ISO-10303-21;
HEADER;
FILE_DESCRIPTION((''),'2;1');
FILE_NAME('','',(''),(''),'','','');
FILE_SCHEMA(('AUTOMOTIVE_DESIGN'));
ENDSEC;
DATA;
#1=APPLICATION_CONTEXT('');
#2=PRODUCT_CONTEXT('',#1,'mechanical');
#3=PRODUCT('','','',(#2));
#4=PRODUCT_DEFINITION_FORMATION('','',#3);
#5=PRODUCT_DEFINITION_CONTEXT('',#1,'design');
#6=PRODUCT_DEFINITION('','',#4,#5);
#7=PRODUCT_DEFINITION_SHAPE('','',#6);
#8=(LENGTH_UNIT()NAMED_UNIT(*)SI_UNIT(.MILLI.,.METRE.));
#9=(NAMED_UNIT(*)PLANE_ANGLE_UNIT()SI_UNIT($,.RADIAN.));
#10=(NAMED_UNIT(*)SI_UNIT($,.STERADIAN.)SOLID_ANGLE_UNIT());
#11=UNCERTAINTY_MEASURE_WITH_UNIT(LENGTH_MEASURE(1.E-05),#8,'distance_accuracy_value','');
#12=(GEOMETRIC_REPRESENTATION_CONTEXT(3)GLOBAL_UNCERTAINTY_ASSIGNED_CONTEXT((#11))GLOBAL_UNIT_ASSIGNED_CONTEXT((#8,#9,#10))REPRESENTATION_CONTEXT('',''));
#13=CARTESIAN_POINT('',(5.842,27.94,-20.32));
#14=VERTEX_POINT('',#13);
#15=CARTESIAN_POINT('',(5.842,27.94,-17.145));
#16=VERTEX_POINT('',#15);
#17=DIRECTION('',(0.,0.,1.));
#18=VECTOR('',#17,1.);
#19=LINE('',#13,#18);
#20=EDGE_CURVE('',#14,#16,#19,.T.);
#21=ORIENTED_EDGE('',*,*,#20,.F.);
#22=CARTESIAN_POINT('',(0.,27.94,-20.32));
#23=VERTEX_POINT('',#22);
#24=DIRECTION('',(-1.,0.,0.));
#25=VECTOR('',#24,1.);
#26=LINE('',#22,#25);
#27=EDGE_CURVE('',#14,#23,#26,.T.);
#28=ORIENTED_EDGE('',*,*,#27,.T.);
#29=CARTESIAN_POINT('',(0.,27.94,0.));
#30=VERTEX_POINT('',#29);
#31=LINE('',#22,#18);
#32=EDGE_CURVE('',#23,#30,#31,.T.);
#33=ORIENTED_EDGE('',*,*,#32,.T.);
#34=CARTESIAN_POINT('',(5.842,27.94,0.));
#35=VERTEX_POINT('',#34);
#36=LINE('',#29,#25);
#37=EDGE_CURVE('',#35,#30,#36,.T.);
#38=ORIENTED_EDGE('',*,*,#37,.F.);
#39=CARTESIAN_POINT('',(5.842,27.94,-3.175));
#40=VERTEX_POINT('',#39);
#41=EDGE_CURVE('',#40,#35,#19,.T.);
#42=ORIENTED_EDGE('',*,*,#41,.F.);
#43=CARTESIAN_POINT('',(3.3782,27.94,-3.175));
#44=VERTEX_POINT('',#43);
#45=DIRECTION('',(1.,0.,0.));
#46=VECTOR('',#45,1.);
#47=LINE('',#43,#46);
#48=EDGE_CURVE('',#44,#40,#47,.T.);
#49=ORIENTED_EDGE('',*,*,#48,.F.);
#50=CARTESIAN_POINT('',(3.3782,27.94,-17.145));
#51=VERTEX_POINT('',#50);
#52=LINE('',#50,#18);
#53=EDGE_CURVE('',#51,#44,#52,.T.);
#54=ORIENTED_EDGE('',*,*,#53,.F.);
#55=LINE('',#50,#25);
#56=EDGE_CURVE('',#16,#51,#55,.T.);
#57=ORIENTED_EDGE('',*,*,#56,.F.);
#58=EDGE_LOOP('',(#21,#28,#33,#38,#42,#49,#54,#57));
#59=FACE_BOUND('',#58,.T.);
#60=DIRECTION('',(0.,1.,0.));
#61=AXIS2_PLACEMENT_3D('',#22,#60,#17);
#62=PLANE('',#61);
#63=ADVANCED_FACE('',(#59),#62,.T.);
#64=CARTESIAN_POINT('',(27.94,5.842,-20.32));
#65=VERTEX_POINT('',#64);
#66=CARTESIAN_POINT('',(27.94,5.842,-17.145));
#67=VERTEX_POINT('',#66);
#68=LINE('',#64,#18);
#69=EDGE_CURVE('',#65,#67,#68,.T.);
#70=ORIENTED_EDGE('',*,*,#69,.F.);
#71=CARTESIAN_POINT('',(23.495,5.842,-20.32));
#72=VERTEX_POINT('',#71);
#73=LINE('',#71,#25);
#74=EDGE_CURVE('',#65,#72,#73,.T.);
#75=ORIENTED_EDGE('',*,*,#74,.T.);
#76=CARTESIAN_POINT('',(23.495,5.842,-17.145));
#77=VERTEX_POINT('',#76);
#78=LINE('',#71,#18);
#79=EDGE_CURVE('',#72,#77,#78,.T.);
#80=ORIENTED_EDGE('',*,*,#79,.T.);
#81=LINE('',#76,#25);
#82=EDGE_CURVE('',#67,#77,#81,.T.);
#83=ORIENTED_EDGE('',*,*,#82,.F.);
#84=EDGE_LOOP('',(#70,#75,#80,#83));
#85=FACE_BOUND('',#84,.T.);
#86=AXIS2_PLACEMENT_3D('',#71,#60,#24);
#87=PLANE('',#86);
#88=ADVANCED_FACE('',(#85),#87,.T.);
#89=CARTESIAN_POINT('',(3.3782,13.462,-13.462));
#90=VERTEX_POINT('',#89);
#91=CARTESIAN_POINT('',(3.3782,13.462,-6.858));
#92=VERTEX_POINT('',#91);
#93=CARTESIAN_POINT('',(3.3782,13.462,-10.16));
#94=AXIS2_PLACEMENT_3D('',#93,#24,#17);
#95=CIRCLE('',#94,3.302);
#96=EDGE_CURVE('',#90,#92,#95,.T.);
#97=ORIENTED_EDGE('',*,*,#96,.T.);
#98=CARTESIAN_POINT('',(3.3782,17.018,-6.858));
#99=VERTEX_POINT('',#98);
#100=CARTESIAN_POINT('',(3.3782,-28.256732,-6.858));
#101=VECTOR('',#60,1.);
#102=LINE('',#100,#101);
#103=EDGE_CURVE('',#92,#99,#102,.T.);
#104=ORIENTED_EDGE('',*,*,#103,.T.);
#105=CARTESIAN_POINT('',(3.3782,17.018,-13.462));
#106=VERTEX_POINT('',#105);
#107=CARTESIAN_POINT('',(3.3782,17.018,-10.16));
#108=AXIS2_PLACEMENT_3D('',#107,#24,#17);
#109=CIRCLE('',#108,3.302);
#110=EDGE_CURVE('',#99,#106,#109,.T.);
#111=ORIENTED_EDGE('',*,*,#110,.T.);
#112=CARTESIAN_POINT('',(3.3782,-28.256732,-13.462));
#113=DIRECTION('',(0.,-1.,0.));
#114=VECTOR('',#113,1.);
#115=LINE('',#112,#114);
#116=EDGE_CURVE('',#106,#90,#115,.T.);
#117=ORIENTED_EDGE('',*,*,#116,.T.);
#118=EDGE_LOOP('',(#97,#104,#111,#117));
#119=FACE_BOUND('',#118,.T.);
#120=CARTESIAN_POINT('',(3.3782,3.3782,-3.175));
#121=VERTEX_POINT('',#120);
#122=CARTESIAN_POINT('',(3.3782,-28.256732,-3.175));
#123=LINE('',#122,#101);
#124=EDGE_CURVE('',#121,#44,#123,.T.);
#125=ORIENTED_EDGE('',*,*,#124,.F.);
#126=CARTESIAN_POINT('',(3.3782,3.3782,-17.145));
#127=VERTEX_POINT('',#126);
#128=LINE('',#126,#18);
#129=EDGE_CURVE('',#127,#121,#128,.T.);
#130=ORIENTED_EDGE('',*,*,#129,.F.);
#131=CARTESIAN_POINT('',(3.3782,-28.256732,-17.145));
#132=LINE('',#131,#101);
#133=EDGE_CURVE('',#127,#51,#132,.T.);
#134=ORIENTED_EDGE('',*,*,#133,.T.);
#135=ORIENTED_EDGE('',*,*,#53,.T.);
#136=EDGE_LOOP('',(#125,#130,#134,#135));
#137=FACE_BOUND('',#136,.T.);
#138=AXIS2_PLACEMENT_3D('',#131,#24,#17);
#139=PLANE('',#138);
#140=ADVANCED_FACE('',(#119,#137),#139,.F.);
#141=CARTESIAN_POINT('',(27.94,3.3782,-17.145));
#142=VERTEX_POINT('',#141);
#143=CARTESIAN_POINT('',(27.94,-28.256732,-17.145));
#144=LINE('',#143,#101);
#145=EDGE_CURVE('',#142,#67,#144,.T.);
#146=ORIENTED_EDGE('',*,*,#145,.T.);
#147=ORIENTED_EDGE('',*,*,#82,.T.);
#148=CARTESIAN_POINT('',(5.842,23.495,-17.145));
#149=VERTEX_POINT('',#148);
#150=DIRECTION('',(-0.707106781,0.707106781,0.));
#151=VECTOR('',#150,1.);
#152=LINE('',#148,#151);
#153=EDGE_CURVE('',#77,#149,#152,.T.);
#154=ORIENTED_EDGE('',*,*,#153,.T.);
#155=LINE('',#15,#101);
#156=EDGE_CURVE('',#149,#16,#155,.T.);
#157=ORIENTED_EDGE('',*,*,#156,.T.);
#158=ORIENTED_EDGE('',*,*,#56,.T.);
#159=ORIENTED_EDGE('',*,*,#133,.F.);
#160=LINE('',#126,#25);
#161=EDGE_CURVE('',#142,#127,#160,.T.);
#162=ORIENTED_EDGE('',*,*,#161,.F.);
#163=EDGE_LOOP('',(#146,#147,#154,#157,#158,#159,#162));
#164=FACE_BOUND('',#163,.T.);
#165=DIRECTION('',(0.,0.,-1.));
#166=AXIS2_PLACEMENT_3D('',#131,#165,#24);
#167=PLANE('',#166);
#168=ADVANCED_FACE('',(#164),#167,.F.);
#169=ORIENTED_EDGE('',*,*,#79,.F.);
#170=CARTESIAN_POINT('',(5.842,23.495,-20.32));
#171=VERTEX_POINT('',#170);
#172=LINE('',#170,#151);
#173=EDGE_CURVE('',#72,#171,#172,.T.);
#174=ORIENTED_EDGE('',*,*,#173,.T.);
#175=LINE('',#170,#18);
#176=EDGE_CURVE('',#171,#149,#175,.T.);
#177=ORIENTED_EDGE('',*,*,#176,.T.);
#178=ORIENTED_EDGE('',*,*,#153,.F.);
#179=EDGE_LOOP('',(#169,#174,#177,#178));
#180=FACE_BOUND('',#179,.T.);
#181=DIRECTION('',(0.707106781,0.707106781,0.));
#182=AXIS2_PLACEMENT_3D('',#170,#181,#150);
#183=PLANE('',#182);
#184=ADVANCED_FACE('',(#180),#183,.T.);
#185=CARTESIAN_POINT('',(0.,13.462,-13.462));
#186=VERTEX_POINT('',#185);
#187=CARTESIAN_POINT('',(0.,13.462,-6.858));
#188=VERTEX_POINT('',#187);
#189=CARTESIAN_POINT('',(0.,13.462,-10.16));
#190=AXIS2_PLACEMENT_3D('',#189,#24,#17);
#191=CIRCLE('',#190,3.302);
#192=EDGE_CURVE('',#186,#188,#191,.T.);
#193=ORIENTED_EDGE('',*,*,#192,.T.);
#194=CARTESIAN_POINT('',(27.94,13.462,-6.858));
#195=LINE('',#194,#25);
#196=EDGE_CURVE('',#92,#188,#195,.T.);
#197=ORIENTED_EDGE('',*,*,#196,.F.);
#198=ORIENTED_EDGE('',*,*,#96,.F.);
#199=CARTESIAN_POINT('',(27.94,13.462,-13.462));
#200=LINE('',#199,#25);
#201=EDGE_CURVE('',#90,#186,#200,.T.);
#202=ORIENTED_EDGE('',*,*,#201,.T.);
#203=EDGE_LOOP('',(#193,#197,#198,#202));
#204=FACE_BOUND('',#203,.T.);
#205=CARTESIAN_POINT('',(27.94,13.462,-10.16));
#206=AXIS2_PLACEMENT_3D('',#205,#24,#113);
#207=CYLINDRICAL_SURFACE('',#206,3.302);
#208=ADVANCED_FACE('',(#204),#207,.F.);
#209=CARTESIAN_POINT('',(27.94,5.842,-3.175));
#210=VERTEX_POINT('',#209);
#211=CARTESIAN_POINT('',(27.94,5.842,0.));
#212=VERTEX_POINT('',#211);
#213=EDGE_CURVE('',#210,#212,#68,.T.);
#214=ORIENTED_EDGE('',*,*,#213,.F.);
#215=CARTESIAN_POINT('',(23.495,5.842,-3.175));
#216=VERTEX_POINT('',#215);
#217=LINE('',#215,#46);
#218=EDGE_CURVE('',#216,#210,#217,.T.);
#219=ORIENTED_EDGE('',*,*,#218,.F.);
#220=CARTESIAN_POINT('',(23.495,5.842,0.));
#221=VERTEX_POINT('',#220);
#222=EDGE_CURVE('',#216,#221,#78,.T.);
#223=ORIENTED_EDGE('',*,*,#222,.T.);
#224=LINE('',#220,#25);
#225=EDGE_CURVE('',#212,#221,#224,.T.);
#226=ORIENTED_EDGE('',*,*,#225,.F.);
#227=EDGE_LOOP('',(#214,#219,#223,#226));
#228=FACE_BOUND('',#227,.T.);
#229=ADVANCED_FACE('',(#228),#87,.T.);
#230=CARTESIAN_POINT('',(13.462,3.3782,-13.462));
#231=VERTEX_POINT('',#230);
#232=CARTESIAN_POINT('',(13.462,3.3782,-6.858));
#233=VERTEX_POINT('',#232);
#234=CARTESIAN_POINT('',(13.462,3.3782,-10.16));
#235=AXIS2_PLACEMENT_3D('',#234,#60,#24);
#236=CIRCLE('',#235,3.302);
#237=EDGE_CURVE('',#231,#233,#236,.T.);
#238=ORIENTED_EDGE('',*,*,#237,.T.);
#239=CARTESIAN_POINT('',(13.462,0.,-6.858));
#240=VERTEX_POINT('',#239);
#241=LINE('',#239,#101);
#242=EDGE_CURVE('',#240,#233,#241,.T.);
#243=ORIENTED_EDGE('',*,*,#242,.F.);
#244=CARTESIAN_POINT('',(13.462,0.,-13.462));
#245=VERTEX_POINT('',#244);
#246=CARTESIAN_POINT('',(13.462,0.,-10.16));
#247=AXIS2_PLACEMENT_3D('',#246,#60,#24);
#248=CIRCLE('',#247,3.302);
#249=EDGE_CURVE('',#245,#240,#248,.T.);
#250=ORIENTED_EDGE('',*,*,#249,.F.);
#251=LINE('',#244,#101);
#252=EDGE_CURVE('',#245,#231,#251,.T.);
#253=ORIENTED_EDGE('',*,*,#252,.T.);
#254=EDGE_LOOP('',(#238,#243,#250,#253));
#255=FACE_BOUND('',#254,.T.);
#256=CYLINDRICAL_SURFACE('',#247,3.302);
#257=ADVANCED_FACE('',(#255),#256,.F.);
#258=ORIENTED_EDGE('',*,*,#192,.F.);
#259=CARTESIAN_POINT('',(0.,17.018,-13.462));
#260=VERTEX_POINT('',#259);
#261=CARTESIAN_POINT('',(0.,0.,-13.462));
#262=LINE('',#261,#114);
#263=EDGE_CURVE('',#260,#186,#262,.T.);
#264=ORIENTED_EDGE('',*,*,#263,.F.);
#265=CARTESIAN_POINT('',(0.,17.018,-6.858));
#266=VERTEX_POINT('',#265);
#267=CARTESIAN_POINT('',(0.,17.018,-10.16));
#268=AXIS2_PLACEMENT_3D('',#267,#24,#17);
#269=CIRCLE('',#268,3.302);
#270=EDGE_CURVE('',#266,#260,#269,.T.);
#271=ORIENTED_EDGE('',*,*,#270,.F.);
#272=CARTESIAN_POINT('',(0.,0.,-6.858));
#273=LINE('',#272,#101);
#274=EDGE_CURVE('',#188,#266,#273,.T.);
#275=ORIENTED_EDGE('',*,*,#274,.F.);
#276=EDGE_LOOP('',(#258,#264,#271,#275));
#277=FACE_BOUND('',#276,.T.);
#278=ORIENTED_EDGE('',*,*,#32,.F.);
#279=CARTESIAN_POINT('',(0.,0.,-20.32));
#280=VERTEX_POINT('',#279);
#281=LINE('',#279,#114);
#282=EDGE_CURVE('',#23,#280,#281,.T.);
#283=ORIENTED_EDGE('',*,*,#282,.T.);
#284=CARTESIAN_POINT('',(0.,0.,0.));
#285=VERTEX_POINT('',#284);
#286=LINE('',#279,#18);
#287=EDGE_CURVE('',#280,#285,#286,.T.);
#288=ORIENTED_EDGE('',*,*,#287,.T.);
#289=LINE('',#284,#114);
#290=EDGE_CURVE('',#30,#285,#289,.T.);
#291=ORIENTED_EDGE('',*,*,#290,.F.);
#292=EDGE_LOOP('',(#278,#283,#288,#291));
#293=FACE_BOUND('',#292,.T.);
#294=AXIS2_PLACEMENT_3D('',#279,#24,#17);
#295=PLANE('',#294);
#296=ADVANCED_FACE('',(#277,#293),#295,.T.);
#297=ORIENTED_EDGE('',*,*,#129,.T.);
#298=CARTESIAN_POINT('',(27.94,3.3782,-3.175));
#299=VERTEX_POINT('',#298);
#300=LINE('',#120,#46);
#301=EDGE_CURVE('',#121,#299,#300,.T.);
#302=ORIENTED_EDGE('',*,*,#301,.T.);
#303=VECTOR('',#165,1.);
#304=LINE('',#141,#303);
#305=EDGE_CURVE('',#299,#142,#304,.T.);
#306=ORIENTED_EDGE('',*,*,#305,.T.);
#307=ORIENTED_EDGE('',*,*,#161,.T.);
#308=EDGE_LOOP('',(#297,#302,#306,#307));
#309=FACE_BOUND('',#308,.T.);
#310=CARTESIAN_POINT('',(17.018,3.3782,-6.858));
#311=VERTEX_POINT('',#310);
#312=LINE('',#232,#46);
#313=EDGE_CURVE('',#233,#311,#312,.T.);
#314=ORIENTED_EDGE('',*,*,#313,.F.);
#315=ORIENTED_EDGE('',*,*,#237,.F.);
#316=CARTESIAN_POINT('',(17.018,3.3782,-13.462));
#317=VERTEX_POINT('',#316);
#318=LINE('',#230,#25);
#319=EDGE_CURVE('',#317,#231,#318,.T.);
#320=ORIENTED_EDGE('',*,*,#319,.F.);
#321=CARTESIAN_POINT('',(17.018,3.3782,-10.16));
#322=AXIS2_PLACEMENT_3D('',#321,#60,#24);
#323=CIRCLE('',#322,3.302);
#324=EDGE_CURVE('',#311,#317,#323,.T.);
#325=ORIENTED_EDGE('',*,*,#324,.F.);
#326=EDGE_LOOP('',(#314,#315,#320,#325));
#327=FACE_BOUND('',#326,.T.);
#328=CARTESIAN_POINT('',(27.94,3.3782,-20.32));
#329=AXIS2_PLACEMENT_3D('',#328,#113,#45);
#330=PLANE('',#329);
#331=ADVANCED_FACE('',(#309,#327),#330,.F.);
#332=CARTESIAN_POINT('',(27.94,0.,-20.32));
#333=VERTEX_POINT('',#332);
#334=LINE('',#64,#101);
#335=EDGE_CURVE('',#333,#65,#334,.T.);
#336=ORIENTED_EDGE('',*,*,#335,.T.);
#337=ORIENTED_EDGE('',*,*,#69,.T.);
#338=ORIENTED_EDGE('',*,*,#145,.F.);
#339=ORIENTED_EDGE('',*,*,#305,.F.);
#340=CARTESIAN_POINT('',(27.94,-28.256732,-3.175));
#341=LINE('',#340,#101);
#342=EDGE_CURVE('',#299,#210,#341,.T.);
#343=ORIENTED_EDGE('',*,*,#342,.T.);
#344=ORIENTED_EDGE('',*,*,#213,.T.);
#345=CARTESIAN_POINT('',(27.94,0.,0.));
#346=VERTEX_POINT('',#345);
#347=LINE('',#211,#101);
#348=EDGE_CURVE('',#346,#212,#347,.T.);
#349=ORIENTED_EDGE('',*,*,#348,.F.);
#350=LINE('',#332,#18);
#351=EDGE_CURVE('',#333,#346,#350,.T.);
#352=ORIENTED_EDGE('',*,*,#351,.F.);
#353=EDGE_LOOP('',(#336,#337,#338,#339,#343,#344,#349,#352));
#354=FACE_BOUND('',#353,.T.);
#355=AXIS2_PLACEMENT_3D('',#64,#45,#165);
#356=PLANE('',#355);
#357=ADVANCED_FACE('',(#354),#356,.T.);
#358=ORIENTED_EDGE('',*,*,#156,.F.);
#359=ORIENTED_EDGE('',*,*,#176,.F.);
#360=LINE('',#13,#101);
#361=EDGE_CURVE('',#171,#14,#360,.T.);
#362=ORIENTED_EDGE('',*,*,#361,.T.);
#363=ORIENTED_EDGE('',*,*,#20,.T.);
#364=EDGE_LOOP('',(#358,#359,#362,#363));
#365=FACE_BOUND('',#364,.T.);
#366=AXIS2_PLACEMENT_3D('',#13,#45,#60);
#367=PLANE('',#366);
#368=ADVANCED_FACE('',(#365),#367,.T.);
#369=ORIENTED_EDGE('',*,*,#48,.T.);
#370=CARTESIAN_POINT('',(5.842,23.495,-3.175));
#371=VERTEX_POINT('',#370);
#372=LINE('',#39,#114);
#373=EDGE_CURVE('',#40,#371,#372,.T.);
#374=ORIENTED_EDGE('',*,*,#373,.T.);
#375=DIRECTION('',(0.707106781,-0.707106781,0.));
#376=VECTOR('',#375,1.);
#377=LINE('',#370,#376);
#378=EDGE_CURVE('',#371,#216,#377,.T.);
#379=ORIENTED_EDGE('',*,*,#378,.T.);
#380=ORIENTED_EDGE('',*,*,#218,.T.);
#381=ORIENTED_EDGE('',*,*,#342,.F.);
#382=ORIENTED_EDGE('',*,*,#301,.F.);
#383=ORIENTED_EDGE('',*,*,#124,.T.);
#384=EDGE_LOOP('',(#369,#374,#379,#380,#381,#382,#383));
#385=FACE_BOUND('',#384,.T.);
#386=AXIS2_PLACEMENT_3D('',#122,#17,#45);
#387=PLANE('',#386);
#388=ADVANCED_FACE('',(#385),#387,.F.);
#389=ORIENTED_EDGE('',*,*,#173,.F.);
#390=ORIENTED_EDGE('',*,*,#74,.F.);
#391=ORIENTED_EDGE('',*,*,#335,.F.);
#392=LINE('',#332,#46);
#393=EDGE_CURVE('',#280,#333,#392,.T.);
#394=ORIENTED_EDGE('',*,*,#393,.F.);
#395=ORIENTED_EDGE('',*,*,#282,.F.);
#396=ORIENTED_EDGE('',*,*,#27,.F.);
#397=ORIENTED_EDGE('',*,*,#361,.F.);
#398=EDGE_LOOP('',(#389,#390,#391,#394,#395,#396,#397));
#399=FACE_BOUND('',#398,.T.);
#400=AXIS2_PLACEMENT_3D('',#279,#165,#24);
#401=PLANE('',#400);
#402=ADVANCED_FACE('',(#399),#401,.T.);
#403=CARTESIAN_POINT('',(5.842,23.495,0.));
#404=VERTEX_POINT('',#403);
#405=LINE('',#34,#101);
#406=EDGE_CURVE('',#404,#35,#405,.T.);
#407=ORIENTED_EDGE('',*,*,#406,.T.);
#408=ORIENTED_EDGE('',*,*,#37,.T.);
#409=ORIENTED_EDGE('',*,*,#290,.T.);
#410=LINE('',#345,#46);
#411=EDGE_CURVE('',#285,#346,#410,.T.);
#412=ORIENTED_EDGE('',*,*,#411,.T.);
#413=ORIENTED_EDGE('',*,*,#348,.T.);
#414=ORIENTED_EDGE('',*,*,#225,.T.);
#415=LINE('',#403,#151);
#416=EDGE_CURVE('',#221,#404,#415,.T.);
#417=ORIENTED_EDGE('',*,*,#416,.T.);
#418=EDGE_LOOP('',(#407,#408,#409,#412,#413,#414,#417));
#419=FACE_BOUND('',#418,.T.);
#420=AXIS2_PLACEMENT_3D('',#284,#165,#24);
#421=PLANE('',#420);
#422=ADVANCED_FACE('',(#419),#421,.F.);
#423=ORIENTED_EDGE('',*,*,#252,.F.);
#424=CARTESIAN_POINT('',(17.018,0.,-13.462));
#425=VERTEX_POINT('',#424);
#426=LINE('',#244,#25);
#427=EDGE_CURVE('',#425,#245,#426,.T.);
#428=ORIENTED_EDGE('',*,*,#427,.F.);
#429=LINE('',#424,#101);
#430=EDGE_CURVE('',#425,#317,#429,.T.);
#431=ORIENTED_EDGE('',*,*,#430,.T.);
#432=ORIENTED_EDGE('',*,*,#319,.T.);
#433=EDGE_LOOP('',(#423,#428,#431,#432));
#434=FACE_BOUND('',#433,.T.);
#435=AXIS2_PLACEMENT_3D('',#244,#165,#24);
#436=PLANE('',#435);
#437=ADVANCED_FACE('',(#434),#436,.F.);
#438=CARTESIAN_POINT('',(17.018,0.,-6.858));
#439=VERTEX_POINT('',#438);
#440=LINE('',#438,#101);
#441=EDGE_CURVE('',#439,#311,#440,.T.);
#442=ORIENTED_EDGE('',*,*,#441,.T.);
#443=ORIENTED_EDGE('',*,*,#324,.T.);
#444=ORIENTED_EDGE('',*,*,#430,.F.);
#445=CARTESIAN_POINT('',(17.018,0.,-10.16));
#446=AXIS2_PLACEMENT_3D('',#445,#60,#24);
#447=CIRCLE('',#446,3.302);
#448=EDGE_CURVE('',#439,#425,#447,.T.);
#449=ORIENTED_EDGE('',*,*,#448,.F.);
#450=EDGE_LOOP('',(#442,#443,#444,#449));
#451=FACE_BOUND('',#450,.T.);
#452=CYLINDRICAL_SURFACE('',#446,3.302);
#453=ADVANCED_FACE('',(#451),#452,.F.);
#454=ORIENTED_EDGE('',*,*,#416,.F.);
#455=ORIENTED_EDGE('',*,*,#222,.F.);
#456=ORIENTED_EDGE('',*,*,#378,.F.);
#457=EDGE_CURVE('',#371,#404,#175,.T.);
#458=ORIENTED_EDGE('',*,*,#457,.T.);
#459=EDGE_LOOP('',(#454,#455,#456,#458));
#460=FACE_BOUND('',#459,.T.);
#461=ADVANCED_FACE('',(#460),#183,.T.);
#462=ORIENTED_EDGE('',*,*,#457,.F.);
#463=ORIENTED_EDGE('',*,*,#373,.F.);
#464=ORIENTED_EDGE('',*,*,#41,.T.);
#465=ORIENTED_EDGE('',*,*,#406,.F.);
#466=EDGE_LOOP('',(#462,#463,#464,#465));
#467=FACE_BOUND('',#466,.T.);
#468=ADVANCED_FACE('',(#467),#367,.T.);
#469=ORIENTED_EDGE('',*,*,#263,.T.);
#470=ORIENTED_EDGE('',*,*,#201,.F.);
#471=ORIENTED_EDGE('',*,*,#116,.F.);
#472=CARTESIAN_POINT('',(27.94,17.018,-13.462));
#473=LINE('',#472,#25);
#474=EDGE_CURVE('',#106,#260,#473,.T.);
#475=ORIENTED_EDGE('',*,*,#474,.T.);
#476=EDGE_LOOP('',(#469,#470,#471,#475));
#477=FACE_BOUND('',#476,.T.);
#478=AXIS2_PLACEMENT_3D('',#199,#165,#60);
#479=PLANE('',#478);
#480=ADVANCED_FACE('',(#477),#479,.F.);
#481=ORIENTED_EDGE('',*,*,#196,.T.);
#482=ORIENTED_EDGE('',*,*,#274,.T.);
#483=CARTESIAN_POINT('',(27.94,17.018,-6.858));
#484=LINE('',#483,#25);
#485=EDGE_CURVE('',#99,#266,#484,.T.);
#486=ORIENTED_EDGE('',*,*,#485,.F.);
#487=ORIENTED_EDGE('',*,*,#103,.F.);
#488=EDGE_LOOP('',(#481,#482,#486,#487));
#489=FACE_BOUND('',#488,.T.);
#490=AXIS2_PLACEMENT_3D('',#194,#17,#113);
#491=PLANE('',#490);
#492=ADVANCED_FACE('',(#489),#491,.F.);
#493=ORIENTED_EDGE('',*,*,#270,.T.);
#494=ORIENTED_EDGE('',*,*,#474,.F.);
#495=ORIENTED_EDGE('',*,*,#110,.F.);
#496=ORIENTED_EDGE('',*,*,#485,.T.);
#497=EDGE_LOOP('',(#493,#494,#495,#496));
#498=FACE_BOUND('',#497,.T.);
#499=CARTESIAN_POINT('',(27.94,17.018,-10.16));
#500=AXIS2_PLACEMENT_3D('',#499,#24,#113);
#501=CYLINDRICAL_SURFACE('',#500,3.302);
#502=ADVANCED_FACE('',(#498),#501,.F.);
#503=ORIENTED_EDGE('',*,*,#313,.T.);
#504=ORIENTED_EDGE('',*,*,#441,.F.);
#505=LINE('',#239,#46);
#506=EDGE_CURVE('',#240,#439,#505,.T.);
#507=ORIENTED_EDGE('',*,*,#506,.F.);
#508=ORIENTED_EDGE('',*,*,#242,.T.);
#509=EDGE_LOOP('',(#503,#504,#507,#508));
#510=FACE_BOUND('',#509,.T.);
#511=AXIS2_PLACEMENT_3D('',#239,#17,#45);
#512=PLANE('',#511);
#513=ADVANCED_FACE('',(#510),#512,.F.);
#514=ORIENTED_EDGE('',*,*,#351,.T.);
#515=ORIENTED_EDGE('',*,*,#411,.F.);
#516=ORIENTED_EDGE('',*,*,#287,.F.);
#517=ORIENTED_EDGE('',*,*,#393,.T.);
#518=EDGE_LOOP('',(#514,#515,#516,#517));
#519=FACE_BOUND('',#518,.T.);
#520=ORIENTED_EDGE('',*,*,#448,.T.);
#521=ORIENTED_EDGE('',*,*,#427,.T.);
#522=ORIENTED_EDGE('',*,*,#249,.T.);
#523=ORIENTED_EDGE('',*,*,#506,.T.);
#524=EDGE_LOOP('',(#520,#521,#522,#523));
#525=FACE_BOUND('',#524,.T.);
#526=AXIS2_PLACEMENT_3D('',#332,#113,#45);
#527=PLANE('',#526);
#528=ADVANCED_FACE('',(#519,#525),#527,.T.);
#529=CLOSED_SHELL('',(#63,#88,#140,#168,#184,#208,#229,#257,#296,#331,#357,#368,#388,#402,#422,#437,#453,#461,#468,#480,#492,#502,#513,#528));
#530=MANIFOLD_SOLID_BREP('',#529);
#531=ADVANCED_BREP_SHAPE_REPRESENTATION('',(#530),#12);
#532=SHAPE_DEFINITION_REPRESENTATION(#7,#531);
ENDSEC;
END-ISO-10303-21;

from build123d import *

# Parameters (mm, degrees)
BOSS_EXTRUDE1_DEPTH = 20.32
SKETCH2_W           = 24.5618
SKETCH2_H           = 13.97
CUT_EXTRUDE1_DEPTH  = 24.5618
CUT_EXTRUDE2_DEPTH  = 43.389008236
CIRPATTERN1_COUNT   = 2
CIRPATTERN1_ANGLE   = 270


with BuildPart() as part:
    # Sketch1 → Boss-Extrude1 (new body)
    with BuildSketch(Plane.XY):
        Polygon((0, 0), (0, 27.94), (5.842, 27.94), (5.842, 23.495), (23.495, 5.842), (27.94, 5.842), (27.94, 0), align=None)
    extrude(amount=-BOSS_EXTRUDE1_DEPTH)

    # Sketch2 → Cut-Extrude1 (cut)
    with BuildSketch(Plane(origin=(0, 27.94, 0), x_dir=(1, 0, 0), z_dir=(0, 1, 0))):
        with Locations((15.6591, 10.16)):
            Rectangle(SKETCH2_W, SKETCH2_H)
    extrude(amount=-CUT_EXTRUDE1_DEPTH, mode=Mode.SUBTRACT)

    # Sketch3 → Cut-Extrude2 (cut, through all)
    with BuildSketch(Plane(origin=(0, 3.3782, 0), x_dir=(1, 0, 0), z_dir=(0, 1, 0))):
        with BuildLine():
            Line((13.462, 13.462), (17.018, 13.462))
            ThreePointArc((17.018, 13.462), (20.32, 10.16), (17.018, 6.858))
            Line((17.018, 6.858), (13.462, 6.858))
            ThreePointArc((13.462, 6.858), (10.16, 10.16), (13.462, 13.462))
        make_face()
    cut_extrude2 = extrude(amount=-CUT_EXTRUDE2_DEPTH, mode=Mode.SUBTRACT)

    # CirPattern1: Cut-Extrude2 ×2 about axis
    cirpattern1_axis = Axis((0, 0, -20.32), (0, 0, -1))
    for i in range(1, CIRPATTERN1_COUNT):
        add(cut_extrude2.rotate(cirpattern1_axis, i * CIRPATTERN1_ANGLE / (CIRPATTERN1_COUNT - 1)), mode=Mode.SUBTRACT)


solid = part.part
